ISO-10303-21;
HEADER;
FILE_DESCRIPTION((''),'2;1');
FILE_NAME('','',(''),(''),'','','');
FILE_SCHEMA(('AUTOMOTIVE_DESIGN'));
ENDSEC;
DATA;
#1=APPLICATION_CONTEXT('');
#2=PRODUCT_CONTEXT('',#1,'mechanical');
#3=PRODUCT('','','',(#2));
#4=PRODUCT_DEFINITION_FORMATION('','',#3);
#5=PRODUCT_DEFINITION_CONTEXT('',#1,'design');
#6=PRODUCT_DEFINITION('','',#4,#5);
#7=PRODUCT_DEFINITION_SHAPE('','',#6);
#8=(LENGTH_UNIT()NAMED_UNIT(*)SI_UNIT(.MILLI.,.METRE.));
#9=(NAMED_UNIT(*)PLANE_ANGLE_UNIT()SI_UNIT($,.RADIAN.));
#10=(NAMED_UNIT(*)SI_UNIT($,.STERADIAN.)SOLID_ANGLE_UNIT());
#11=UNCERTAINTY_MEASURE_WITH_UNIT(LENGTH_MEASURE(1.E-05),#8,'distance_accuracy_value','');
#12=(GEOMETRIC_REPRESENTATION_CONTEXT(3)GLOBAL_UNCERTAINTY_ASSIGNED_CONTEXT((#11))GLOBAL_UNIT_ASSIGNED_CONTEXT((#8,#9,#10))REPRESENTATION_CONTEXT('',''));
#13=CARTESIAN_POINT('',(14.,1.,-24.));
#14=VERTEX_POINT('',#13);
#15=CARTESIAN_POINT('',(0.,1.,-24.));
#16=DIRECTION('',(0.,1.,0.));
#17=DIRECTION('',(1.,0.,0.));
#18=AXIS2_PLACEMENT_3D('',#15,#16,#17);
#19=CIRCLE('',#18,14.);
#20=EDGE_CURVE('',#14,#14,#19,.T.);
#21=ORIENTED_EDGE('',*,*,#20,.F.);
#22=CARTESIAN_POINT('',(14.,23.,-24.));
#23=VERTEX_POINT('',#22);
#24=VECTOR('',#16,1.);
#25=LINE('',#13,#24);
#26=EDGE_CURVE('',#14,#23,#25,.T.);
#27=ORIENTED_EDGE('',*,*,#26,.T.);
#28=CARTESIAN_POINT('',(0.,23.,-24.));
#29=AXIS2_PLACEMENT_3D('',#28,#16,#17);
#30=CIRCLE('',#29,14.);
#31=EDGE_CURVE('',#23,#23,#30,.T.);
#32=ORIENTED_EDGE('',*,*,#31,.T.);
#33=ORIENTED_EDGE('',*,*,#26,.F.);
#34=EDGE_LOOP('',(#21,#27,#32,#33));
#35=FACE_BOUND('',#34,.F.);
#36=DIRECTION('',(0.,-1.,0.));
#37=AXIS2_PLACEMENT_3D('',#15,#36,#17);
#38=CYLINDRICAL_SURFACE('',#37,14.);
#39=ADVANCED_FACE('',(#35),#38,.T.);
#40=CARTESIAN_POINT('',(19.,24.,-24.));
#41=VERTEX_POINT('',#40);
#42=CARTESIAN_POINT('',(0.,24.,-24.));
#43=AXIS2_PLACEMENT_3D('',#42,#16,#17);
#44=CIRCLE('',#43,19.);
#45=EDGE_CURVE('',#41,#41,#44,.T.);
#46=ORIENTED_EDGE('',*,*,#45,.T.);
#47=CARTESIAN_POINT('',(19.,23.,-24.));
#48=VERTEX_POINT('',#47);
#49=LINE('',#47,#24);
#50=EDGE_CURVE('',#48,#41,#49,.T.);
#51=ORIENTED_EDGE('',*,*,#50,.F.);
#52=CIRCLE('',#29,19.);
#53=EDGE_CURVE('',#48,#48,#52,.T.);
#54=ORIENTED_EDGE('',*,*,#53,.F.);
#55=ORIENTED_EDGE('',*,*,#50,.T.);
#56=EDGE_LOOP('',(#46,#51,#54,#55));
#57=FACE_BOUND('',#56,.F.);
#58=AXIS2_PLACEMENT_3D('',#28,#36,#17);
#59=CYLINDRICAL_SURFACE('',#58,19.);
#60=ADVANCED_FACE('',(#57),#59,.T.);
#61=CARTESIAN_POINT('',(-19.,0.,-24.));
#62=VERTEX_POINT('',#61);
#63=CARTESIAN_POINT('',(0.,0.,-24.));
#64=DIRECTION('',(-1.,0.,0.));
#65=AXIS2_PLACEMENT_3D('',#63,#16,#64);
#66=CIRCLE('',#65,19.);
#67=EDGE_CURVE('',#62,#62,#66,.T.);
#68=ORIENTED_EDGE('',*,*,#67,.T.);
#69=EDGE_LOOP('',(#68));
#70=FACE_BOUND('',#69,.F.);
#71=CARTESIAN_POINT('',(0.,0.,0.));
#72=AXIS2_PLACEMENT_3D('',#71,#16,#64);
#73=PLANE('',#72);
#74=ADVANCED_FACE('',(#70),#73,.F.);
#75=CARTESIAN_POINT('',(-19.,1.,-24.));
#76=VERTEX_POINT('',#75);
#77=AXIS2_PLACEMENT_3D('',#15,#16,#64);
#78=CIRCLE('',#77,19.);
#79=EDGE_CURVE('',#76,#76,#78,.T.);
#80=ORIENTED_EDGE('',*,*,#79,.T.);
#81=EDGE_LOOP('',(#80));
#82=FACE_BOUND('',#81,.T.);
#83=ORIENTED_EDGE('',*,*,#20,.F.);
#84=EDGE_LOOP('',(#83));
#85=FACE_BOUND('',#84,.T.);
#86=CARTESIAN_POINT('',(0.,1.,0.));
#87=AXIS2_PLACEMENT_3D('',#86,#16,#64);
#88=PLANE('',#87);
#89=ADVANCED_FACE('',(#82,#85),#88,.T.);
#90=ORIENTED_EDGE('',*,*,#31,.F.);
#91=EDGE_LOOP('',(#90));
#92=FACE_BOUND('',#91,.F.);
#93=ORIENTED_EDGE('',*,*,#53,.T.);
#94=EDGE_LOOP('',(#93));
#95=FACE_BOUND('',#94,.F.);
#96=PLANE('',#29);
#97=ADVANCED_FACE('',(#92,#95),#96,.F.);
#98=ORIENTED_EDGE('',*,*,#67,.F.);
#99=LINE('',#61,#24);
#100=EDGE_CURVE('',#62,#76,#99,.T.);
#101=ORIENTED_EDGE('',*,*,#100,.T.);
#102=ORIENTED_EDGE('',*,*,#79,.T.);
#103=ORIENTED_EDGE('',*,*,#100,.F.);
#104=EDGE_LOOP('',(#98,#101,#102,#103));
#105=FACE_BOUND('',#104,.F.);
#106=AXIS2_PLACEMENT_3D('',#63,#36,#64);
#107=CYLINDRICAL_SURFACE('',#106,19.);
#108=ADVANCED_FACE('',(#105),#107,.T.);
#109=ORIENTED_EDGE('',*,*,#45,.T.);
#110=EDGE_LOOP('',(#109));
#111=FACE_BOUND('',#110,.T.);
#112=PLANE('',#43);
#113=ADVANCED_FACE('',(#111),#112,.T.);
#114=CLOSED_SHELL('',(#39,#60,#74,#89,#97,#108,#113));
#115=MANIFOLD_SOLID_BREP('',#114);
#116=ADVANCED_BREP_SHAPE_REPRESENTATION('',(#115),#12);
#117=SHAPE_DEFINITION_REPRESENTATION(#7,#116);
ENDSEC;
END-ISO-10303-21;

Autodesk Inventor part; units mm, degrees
ref_plane "YZ Plane" through (0, 0, 0) normal (1, 0, 0) x (0, 1, 0)
ref_plane "XZ Plane" through (0, 0, 0) normal (0, 1, 0) x (-1, 0, 0)
ref_plane "XY Plane" through (0, 0, 0) normal (0, 0, 1) x (1, 0, 0)
sketch "Sketch1" plane through (0, 0, 0) normal (0, 1, 0) x (-1, 0, 0)
  circle A0 centre (0, -24) radius 19
  point P0 (0, 0)
  dimension "d1" = 38
  dimension "d3" = 24
extrude "Extrusion1" add sketch "Sketch1" along normal blind 1
sketch "Sketch3" plane through (0, 1, -24) normal (0, 1, 0) x (1, 0, 0)
  circle A0 centre (0, 0) radius 14
  circle A1 centre (0, 0) radius 19
  circle A2 centre (0, 0) radius 19
  point P0 (0, -24)
  dimension "d7" = 28
extrude "Extrusion3" add sketch "Sketch3" along normal blind 22 contours A0
sketch "Sketch5" plane through (0, 23, -24) normal (0, 1, 0) x (1, 0, 0)
  circle A0 centre (0, 0) radius 19
  point P0 (0, -24)
extrude "Extrusion5" add sketch "Sketch5" along normal blind 1
properties part number "flywheels"
